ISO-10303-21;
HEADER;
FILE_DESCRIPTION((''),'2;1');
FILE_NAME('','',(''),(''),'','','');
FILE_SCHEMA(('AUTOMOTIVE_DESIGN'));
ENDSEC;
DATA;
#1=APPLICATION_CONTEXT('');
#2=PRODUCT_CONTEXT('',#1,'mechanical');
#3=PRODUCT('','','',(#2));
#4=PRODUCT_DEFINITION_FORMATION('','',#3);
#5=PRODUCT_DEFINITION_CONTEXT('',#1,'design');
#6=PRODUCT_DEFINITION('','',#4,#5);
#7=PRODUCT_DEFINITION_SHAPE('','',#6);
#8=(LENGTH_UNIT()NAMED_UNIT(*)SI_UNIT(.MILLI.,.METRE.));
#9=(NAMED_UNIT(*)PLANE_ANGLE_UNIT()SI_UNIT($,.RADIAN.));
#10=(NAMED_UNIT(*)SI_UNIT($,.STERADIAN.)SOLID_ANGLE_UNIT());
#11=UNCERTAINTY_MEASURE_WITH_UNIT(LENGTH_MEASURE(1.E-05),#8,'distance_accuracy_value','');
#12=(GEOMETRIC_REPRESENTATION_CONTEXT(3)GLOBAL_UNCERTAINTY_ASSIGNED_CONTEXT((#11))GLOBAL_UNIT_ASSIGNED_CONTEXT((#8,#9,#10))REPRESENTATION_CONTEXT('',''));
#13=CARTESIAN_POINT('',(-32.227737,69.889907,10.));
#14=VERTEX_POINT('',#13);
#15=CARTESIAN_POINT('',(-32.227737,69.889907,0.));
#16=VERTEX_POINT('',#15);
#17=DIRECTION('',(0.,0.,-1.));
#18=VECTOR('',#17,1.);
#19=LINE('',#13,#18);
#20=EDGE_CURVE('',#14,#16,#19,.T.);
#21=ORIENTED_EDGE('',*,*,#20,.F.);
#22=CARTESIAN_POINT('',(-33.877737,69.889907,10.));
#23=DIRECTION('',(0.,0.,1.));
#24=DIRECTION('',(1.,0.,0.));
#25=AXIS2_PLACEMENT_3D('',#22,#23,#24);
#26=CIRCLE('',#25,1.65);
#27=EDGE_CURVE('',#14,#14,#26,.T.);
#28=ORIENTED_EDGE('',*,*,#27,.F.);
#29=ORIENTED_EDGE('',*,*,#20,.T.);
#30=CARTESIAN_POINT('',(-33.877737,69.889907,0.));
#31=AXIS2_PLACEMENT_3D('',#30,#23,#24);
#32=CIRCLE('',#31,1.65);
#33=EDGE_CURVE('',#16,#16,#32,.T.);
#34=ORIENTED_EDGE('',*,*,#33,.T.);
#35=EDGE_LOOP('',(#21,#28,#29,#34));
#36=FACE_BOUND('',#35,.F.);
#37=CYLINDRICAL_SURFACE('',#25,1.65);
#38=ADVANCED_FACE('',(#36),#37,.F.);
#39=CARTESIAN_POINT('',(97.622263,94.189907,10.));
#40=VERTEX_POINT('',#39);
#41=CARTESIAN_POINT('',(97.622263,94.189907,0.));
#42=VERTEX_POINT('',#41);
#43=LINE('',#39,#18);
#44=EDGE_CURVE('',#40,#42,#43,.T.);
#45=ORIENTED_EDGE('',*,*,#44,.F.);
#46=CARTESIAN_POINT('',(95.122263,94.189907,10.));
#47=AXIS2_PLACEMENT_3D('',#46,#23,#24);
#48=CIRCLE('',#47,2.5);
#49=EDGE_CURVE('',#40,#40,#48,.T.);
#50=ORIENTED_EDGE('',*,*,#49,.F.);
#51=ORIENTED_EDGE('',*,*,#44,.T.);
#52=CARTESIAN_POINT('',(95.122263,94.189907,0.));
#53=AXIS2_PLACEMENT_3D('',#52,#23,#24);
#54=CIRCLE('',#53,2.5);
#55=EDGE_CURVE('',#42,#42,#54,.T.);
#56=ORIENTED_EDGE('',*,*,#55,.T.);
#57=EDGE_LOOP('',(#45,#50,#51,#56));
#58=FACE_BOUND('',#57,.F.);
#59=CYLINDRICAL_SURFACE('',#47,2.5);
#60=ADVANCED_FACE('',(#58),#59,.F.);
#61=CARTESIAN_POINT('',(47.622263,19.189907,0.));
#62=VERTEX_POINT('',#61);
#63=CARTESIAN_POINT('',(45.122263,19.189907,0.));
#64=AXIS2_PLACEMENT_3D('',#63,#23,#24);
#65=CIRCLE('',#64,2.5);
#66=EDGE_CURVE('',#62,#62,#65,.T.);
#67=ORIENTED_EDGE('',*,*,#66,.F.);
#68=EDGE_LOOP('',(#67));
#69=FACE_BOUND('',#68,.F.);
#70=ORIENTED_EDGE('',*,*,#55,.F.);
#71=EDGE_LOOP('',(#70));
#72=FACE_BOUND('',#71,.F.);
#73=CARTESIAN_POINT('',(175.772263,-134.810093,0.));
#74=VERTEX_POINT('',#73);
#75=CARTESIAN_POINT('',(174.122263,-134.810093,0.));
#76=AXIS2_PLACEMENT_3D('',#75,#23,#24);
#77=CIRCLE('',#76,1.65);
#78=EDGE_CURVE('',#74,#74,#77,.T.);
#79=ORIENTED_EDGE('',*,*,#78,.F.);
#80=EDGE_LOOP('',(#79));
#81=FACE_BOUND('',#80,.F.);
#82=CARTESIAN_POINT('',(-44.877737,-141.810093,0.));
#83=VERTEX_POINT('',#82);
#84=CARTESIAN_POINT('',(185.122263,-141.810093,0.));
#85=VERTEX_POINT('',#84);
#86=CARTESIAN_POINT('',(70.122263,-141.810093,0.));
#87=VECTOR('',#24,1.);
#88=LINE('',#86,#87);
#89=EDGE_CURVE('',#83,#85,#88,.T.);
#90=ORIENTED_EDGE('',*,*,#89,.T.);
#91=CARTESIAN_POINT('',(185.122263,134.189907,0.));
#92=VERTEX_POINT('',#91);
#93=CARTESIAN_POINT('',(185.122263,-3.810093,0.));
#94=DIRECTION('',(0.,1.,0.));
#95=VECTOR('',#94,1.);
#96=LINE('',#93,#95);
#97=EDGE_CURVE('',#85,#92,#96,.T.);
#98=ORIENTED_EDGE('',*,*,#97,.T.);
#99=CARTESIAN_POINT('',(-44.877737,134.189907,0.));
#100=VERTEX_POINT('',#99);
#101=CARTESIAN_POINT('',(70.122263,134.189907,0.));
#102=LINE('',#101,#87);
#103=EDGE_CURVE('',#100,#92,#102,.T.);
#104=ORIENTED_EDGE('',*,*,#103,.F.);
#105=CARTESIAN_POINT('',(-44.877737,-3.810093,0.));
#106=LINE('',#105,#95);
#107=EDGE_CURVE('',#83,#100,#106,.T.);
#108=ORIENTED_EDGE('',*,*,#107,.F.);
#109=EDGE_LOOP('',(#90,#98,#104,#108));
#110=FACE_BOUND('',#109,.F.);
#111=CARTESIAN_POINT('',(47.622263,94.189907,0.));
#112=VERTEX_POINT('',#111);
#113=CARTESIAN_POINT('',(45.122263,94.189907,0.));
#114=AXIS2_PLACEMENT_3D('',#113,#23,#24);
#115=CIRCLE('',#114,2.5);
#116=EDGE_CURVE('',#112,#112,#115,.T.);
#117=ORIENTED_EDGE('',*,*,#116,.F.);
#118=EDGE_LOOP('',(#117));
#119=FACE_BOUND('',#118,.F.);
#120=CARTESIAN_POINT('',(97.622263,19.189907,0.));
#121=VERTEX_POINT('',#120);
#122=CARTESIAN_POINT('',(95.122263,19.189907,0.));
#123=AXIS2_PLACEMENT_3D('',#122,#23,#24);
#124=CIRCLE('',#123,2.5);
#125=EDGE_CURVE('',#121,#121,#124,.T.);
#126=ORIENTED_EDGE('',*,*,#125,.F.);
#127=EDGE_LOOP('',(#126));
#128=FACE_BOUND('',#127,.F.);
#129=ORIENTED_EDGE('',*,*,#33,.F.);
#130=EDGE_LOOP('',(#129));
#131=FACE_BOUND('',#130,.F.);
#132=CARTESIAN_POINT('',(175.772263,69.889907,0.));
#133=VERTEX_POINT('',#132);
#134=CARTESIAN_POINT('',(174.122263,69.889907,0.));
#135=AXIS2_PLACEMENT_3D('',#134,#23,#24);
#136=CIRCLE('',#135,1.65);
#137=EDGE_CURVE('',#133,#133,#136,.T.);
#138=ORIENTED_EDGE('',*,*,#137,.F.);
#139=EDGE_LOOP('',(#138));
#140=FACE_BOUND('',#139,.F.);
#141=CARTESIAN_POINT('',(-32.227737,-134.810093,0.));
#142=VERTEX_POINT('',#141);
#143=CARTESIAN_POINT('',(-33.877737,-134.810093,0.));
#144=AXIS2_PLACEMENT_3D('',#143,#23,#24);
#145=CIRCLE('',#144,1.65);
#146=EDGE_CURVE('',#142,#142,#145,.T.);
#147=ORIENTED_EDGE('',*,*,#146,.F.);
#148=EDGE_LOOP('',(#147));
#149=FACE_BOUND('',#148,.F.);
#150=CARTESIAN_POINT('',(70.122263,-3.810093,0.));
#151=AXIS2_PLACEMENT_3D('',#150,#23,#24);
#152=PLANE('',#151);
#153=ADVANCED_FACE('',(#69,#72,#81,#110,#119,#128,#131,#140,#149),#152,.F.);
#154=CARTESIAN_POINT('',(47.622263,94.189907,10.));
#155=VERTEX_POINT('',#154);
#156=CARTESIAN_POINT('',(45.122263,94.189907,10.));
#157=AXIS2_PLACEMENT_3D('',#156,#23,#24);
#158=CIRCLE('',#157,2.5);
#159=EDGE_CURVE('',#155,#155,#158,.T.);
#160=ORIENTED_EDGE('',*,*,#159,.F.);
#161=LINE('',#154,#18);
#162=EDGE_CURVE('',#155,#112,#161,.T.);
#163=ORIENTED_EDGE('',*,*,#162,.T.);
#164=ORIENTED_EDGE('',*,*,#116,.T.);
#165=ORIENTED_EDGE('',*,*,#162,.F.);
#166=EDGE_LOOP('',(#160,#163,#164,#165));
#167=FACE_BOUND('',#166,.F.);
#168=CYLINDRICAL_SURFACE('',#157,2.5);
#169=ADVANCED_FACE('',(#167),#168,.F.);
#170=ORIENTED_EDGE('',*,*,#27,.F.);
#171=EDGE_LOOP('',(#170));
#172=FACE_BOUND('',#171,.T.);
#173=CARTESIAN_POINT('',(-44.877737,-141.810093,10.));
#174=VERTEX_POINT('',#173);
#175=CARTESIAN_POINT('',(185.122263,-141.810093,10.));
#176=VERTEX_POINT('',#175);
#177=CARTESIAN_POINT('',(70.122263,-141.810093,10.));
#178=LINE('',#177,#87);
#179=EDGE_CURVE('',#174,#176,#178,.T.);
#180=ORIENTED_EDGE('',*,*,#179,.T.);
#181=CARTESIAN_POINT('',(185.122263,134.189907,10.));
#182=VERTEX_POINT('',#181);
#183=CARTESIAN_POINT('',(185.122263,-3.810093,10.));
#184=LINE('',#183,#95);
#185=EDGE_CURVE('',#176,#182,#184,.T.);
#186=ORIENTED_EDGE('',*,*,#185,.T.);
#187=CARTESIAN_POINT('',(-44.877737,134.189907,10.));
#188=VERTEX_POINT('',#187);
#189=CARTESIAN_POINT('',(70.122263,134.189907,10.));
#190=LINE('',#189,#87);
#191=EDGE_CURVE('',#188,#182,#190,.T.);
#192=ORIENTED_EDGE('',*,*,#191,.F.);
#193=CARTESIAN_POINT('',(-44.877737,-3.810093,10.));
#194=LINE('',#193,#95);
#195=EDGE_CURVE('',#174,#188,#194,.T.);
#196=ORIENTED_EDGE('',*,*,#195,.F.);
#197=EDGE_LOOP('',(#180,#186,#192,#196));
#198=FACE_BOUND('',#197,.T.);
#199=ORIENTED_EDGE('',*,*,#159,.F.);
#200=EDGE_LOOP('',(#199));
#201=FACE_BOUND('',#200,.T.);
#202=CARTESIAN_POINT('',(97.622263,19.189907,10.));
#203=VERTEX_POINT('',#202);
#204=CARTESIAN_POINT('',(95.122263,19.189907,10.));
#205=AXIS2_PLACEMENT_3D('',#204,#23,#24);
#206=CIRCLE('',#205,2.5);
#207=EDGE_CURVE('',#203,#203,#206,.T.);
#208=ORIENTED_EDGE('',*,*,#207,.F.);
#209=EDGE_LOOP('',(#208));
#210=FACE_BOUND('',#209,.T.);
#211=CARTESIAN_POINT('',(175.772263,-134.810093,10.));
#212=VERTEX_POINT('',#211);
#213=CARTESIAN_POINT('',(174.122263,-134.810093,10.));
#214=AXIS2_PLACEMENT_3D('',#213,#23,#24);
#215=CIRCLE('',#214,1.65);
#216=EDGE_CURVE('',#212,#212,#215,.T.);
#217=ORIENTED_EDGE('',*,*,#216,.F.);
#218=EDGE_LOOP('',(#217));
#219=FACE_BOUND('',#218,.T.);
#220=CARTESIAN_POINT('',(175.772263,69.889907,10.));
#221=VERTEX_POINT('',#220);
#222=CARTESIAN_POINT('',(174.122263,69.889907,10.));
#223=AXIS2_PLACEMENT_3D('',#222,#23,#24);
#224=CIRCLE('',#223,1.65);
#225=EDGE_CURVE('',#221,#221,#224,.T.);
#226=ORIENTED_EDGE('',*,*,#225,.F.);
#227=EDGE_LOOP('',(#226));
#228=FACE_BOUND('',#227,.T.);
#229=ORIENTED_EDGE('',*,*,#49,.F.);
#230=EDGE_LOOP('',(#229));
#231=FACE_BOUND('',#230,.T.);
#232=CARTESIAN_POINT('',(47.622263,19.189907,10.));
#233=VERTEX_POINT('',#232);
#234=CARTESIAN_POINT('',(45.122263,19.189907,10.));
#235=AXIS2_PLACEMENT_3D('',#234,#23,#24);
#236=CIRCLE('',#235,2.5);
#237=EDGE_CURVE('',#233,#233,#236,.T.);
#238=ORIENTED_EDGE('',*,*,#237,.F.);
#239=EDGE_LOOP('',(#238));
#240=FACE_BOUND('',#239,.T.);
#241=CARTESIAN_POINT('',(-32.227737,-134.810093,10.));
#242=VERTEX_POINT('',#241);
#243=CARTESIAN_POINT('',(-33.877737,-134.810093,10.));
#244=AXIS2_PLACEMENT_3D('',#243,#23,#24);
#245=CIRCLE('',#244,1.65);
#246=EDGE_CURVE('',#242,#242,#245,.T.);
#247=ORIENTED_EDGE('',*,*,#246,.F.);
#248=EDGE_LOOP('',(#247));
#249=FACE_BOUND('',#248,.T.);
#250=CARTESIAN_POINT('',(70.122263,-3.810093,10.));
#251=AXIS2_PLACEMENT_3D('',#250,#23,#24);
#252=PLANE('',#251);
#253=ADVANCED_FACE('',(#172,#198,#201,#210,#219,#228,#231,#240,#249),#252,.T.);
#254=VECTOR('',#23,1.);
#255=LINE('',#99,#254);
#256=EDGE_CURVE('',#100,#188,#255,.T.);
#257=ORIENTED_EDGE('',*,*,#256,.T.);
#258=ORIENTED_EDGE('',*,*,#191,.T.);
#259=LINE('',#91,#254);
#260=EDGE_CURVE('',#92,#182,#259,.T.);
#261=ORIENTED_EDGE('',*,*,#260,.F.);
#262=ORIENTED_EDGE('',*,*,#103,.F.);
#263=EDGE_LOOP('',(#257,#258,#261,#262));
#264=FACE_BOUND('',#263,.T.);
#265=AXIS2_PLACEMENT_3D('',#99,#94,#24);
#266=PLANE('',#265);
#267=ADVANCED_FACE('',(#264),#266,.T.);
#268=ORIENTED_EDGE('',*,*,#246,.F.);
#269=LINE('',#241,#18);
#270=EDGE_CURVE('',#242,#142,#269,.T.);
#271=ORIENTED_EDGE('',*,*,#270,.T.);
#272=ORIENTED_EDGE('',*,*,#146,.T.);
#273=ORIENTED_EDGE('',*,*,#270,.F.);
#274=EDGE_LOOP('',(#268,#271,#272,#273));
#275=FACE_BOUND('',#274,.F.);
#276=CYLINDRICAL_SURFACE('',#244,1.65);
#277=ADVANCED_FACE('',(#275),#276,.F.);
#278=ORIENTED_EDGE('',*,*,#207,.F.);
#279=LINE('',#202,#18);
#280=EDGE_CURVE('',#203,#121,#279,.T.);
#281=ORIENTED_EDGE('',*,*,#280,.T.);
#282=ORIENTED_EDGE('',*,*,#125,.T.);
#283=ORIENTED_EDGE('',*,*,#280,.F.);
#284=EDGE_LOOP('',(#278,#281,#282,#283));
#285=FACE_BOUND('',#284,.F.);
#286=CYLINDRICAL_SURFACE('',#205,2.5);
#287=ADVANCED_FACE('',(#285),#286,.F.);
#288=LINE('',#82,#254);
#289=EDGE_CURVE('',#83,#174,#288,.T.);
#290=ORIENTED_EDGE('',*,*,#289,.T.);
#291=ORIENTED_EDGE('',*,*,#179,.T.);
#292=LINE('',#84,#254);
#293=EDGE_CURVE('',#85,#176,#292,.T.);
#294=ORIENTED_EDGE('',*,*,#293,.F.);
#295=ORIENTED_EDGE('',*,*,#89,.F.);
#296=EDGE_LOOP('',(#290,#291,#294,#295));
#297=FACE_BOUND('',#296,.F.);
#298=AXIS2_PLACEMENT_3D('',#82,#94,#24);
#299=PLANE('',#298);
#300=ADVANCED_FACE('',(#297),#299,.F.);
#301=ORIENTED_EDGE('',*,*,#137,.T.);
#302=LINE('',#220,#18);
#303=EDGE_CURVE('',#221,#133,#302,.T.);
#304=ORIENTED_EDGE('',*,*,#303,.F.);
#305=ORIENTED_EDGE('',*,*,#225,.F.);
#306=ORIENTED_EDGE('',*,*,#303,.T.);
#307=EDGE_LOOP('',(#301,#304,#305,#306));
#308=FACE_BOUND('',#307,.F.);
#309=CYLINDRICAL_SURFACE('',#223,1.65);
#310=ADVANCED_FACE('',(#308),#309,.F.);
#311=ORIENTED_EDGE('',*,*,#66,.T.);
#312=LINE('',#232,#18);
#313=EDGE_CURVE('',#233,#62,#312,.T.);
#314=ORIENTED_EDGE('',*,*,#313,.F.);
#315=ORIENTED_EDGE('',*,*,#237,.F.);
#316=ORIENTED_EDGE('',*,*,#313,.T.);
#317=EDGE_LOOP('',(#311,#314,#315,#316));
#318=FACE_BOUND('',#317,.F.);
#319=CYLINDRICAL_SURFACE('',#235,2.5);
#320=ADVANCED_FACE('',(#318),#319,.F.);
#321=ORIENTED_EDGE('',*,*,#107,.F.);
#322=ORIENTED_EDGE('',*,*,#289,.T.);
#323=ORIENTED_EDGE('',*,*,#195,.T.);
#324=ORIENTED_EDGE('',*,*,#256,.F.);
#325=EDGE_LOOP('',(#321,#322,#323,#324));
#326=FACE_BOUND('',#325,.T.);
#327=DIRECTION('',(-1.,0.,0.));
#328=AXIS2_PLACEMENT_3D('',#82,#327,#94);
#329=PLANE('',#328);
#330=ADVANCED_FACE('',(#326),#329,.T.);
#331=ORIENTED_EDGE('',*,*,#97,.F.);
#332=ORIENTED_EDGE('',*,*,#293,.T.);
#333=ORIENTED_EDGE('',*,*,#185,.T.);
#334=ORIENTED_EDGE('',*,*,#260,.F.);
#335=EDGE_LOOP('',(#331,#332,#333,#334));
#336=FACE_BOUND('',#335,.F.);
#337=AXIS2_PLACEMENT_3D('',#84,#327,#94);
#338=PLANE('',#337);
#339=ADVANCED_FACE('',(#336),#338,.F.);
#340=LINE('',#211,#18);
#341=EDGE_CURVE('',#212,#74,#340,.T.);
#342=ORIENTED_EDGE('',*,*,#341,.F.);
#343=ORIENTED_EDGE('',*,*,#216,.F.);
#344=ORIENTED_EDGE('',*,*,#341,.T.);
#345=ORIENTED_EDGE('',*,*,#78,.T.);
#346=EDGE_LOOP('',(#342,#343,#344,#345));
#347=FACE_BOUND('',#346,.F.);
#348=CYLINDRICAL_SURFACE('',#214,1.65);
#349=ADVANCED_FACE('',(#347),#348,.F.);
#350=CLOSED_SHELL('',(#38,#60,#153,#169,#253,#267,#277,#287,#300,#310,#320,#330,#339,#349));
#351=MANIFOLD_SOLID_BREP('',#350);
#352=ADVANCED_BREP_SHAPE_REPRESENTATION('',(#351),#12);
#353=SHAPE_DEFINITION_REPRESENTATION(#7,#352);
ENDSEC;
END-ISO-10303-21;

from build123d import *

# Parameters (mm, degrees)
F0_W     = 230
F0_H     = 276
F1_DEPTH = 10
F2_R     = 2.5
F2_R_2   = 1.65
F3_DEPTH = 10.001


with BuildPart() as f1:
    # F0 (on Top) → F1 (new body)
    with BuildSketch(Plane.XY):
        with Locations((70.122263, -3.810093)):
            Rectangle(F0_W, F0_H)
    extrude(amount=F1_DEPTH)

    # F2 (on face) → F3 (cut, through all)
    with BuildSketch(Plane.XY.offset(10)):
        with Locations((45.122263, 94.189907)):
            Circle(F2_R)
        with Locations((95.122263, 94.189907)):
            Circle(F2_R)
        with Locations((45.122263, 19.189907)):
            Circle(F2_R)
        with Locations((95.122263, 19.189907)):
            Circle(F2_R)
        with Locations((-33.877737, 69.889907)):
            Circle(F2_R_2)
        with Locations((174.122263, 69.889907)):
            Circle(F2_R_2)
        with Locations((-33.877737, -134.810093)):
            Circle(F2_R_2)
        with Locations((174.122263, -134.810093)):
            Circle(F2_R_2)
    extrude(amount=-F3_DEPTH, mode=Mode.SUBTRACT)


solid = f1.part
